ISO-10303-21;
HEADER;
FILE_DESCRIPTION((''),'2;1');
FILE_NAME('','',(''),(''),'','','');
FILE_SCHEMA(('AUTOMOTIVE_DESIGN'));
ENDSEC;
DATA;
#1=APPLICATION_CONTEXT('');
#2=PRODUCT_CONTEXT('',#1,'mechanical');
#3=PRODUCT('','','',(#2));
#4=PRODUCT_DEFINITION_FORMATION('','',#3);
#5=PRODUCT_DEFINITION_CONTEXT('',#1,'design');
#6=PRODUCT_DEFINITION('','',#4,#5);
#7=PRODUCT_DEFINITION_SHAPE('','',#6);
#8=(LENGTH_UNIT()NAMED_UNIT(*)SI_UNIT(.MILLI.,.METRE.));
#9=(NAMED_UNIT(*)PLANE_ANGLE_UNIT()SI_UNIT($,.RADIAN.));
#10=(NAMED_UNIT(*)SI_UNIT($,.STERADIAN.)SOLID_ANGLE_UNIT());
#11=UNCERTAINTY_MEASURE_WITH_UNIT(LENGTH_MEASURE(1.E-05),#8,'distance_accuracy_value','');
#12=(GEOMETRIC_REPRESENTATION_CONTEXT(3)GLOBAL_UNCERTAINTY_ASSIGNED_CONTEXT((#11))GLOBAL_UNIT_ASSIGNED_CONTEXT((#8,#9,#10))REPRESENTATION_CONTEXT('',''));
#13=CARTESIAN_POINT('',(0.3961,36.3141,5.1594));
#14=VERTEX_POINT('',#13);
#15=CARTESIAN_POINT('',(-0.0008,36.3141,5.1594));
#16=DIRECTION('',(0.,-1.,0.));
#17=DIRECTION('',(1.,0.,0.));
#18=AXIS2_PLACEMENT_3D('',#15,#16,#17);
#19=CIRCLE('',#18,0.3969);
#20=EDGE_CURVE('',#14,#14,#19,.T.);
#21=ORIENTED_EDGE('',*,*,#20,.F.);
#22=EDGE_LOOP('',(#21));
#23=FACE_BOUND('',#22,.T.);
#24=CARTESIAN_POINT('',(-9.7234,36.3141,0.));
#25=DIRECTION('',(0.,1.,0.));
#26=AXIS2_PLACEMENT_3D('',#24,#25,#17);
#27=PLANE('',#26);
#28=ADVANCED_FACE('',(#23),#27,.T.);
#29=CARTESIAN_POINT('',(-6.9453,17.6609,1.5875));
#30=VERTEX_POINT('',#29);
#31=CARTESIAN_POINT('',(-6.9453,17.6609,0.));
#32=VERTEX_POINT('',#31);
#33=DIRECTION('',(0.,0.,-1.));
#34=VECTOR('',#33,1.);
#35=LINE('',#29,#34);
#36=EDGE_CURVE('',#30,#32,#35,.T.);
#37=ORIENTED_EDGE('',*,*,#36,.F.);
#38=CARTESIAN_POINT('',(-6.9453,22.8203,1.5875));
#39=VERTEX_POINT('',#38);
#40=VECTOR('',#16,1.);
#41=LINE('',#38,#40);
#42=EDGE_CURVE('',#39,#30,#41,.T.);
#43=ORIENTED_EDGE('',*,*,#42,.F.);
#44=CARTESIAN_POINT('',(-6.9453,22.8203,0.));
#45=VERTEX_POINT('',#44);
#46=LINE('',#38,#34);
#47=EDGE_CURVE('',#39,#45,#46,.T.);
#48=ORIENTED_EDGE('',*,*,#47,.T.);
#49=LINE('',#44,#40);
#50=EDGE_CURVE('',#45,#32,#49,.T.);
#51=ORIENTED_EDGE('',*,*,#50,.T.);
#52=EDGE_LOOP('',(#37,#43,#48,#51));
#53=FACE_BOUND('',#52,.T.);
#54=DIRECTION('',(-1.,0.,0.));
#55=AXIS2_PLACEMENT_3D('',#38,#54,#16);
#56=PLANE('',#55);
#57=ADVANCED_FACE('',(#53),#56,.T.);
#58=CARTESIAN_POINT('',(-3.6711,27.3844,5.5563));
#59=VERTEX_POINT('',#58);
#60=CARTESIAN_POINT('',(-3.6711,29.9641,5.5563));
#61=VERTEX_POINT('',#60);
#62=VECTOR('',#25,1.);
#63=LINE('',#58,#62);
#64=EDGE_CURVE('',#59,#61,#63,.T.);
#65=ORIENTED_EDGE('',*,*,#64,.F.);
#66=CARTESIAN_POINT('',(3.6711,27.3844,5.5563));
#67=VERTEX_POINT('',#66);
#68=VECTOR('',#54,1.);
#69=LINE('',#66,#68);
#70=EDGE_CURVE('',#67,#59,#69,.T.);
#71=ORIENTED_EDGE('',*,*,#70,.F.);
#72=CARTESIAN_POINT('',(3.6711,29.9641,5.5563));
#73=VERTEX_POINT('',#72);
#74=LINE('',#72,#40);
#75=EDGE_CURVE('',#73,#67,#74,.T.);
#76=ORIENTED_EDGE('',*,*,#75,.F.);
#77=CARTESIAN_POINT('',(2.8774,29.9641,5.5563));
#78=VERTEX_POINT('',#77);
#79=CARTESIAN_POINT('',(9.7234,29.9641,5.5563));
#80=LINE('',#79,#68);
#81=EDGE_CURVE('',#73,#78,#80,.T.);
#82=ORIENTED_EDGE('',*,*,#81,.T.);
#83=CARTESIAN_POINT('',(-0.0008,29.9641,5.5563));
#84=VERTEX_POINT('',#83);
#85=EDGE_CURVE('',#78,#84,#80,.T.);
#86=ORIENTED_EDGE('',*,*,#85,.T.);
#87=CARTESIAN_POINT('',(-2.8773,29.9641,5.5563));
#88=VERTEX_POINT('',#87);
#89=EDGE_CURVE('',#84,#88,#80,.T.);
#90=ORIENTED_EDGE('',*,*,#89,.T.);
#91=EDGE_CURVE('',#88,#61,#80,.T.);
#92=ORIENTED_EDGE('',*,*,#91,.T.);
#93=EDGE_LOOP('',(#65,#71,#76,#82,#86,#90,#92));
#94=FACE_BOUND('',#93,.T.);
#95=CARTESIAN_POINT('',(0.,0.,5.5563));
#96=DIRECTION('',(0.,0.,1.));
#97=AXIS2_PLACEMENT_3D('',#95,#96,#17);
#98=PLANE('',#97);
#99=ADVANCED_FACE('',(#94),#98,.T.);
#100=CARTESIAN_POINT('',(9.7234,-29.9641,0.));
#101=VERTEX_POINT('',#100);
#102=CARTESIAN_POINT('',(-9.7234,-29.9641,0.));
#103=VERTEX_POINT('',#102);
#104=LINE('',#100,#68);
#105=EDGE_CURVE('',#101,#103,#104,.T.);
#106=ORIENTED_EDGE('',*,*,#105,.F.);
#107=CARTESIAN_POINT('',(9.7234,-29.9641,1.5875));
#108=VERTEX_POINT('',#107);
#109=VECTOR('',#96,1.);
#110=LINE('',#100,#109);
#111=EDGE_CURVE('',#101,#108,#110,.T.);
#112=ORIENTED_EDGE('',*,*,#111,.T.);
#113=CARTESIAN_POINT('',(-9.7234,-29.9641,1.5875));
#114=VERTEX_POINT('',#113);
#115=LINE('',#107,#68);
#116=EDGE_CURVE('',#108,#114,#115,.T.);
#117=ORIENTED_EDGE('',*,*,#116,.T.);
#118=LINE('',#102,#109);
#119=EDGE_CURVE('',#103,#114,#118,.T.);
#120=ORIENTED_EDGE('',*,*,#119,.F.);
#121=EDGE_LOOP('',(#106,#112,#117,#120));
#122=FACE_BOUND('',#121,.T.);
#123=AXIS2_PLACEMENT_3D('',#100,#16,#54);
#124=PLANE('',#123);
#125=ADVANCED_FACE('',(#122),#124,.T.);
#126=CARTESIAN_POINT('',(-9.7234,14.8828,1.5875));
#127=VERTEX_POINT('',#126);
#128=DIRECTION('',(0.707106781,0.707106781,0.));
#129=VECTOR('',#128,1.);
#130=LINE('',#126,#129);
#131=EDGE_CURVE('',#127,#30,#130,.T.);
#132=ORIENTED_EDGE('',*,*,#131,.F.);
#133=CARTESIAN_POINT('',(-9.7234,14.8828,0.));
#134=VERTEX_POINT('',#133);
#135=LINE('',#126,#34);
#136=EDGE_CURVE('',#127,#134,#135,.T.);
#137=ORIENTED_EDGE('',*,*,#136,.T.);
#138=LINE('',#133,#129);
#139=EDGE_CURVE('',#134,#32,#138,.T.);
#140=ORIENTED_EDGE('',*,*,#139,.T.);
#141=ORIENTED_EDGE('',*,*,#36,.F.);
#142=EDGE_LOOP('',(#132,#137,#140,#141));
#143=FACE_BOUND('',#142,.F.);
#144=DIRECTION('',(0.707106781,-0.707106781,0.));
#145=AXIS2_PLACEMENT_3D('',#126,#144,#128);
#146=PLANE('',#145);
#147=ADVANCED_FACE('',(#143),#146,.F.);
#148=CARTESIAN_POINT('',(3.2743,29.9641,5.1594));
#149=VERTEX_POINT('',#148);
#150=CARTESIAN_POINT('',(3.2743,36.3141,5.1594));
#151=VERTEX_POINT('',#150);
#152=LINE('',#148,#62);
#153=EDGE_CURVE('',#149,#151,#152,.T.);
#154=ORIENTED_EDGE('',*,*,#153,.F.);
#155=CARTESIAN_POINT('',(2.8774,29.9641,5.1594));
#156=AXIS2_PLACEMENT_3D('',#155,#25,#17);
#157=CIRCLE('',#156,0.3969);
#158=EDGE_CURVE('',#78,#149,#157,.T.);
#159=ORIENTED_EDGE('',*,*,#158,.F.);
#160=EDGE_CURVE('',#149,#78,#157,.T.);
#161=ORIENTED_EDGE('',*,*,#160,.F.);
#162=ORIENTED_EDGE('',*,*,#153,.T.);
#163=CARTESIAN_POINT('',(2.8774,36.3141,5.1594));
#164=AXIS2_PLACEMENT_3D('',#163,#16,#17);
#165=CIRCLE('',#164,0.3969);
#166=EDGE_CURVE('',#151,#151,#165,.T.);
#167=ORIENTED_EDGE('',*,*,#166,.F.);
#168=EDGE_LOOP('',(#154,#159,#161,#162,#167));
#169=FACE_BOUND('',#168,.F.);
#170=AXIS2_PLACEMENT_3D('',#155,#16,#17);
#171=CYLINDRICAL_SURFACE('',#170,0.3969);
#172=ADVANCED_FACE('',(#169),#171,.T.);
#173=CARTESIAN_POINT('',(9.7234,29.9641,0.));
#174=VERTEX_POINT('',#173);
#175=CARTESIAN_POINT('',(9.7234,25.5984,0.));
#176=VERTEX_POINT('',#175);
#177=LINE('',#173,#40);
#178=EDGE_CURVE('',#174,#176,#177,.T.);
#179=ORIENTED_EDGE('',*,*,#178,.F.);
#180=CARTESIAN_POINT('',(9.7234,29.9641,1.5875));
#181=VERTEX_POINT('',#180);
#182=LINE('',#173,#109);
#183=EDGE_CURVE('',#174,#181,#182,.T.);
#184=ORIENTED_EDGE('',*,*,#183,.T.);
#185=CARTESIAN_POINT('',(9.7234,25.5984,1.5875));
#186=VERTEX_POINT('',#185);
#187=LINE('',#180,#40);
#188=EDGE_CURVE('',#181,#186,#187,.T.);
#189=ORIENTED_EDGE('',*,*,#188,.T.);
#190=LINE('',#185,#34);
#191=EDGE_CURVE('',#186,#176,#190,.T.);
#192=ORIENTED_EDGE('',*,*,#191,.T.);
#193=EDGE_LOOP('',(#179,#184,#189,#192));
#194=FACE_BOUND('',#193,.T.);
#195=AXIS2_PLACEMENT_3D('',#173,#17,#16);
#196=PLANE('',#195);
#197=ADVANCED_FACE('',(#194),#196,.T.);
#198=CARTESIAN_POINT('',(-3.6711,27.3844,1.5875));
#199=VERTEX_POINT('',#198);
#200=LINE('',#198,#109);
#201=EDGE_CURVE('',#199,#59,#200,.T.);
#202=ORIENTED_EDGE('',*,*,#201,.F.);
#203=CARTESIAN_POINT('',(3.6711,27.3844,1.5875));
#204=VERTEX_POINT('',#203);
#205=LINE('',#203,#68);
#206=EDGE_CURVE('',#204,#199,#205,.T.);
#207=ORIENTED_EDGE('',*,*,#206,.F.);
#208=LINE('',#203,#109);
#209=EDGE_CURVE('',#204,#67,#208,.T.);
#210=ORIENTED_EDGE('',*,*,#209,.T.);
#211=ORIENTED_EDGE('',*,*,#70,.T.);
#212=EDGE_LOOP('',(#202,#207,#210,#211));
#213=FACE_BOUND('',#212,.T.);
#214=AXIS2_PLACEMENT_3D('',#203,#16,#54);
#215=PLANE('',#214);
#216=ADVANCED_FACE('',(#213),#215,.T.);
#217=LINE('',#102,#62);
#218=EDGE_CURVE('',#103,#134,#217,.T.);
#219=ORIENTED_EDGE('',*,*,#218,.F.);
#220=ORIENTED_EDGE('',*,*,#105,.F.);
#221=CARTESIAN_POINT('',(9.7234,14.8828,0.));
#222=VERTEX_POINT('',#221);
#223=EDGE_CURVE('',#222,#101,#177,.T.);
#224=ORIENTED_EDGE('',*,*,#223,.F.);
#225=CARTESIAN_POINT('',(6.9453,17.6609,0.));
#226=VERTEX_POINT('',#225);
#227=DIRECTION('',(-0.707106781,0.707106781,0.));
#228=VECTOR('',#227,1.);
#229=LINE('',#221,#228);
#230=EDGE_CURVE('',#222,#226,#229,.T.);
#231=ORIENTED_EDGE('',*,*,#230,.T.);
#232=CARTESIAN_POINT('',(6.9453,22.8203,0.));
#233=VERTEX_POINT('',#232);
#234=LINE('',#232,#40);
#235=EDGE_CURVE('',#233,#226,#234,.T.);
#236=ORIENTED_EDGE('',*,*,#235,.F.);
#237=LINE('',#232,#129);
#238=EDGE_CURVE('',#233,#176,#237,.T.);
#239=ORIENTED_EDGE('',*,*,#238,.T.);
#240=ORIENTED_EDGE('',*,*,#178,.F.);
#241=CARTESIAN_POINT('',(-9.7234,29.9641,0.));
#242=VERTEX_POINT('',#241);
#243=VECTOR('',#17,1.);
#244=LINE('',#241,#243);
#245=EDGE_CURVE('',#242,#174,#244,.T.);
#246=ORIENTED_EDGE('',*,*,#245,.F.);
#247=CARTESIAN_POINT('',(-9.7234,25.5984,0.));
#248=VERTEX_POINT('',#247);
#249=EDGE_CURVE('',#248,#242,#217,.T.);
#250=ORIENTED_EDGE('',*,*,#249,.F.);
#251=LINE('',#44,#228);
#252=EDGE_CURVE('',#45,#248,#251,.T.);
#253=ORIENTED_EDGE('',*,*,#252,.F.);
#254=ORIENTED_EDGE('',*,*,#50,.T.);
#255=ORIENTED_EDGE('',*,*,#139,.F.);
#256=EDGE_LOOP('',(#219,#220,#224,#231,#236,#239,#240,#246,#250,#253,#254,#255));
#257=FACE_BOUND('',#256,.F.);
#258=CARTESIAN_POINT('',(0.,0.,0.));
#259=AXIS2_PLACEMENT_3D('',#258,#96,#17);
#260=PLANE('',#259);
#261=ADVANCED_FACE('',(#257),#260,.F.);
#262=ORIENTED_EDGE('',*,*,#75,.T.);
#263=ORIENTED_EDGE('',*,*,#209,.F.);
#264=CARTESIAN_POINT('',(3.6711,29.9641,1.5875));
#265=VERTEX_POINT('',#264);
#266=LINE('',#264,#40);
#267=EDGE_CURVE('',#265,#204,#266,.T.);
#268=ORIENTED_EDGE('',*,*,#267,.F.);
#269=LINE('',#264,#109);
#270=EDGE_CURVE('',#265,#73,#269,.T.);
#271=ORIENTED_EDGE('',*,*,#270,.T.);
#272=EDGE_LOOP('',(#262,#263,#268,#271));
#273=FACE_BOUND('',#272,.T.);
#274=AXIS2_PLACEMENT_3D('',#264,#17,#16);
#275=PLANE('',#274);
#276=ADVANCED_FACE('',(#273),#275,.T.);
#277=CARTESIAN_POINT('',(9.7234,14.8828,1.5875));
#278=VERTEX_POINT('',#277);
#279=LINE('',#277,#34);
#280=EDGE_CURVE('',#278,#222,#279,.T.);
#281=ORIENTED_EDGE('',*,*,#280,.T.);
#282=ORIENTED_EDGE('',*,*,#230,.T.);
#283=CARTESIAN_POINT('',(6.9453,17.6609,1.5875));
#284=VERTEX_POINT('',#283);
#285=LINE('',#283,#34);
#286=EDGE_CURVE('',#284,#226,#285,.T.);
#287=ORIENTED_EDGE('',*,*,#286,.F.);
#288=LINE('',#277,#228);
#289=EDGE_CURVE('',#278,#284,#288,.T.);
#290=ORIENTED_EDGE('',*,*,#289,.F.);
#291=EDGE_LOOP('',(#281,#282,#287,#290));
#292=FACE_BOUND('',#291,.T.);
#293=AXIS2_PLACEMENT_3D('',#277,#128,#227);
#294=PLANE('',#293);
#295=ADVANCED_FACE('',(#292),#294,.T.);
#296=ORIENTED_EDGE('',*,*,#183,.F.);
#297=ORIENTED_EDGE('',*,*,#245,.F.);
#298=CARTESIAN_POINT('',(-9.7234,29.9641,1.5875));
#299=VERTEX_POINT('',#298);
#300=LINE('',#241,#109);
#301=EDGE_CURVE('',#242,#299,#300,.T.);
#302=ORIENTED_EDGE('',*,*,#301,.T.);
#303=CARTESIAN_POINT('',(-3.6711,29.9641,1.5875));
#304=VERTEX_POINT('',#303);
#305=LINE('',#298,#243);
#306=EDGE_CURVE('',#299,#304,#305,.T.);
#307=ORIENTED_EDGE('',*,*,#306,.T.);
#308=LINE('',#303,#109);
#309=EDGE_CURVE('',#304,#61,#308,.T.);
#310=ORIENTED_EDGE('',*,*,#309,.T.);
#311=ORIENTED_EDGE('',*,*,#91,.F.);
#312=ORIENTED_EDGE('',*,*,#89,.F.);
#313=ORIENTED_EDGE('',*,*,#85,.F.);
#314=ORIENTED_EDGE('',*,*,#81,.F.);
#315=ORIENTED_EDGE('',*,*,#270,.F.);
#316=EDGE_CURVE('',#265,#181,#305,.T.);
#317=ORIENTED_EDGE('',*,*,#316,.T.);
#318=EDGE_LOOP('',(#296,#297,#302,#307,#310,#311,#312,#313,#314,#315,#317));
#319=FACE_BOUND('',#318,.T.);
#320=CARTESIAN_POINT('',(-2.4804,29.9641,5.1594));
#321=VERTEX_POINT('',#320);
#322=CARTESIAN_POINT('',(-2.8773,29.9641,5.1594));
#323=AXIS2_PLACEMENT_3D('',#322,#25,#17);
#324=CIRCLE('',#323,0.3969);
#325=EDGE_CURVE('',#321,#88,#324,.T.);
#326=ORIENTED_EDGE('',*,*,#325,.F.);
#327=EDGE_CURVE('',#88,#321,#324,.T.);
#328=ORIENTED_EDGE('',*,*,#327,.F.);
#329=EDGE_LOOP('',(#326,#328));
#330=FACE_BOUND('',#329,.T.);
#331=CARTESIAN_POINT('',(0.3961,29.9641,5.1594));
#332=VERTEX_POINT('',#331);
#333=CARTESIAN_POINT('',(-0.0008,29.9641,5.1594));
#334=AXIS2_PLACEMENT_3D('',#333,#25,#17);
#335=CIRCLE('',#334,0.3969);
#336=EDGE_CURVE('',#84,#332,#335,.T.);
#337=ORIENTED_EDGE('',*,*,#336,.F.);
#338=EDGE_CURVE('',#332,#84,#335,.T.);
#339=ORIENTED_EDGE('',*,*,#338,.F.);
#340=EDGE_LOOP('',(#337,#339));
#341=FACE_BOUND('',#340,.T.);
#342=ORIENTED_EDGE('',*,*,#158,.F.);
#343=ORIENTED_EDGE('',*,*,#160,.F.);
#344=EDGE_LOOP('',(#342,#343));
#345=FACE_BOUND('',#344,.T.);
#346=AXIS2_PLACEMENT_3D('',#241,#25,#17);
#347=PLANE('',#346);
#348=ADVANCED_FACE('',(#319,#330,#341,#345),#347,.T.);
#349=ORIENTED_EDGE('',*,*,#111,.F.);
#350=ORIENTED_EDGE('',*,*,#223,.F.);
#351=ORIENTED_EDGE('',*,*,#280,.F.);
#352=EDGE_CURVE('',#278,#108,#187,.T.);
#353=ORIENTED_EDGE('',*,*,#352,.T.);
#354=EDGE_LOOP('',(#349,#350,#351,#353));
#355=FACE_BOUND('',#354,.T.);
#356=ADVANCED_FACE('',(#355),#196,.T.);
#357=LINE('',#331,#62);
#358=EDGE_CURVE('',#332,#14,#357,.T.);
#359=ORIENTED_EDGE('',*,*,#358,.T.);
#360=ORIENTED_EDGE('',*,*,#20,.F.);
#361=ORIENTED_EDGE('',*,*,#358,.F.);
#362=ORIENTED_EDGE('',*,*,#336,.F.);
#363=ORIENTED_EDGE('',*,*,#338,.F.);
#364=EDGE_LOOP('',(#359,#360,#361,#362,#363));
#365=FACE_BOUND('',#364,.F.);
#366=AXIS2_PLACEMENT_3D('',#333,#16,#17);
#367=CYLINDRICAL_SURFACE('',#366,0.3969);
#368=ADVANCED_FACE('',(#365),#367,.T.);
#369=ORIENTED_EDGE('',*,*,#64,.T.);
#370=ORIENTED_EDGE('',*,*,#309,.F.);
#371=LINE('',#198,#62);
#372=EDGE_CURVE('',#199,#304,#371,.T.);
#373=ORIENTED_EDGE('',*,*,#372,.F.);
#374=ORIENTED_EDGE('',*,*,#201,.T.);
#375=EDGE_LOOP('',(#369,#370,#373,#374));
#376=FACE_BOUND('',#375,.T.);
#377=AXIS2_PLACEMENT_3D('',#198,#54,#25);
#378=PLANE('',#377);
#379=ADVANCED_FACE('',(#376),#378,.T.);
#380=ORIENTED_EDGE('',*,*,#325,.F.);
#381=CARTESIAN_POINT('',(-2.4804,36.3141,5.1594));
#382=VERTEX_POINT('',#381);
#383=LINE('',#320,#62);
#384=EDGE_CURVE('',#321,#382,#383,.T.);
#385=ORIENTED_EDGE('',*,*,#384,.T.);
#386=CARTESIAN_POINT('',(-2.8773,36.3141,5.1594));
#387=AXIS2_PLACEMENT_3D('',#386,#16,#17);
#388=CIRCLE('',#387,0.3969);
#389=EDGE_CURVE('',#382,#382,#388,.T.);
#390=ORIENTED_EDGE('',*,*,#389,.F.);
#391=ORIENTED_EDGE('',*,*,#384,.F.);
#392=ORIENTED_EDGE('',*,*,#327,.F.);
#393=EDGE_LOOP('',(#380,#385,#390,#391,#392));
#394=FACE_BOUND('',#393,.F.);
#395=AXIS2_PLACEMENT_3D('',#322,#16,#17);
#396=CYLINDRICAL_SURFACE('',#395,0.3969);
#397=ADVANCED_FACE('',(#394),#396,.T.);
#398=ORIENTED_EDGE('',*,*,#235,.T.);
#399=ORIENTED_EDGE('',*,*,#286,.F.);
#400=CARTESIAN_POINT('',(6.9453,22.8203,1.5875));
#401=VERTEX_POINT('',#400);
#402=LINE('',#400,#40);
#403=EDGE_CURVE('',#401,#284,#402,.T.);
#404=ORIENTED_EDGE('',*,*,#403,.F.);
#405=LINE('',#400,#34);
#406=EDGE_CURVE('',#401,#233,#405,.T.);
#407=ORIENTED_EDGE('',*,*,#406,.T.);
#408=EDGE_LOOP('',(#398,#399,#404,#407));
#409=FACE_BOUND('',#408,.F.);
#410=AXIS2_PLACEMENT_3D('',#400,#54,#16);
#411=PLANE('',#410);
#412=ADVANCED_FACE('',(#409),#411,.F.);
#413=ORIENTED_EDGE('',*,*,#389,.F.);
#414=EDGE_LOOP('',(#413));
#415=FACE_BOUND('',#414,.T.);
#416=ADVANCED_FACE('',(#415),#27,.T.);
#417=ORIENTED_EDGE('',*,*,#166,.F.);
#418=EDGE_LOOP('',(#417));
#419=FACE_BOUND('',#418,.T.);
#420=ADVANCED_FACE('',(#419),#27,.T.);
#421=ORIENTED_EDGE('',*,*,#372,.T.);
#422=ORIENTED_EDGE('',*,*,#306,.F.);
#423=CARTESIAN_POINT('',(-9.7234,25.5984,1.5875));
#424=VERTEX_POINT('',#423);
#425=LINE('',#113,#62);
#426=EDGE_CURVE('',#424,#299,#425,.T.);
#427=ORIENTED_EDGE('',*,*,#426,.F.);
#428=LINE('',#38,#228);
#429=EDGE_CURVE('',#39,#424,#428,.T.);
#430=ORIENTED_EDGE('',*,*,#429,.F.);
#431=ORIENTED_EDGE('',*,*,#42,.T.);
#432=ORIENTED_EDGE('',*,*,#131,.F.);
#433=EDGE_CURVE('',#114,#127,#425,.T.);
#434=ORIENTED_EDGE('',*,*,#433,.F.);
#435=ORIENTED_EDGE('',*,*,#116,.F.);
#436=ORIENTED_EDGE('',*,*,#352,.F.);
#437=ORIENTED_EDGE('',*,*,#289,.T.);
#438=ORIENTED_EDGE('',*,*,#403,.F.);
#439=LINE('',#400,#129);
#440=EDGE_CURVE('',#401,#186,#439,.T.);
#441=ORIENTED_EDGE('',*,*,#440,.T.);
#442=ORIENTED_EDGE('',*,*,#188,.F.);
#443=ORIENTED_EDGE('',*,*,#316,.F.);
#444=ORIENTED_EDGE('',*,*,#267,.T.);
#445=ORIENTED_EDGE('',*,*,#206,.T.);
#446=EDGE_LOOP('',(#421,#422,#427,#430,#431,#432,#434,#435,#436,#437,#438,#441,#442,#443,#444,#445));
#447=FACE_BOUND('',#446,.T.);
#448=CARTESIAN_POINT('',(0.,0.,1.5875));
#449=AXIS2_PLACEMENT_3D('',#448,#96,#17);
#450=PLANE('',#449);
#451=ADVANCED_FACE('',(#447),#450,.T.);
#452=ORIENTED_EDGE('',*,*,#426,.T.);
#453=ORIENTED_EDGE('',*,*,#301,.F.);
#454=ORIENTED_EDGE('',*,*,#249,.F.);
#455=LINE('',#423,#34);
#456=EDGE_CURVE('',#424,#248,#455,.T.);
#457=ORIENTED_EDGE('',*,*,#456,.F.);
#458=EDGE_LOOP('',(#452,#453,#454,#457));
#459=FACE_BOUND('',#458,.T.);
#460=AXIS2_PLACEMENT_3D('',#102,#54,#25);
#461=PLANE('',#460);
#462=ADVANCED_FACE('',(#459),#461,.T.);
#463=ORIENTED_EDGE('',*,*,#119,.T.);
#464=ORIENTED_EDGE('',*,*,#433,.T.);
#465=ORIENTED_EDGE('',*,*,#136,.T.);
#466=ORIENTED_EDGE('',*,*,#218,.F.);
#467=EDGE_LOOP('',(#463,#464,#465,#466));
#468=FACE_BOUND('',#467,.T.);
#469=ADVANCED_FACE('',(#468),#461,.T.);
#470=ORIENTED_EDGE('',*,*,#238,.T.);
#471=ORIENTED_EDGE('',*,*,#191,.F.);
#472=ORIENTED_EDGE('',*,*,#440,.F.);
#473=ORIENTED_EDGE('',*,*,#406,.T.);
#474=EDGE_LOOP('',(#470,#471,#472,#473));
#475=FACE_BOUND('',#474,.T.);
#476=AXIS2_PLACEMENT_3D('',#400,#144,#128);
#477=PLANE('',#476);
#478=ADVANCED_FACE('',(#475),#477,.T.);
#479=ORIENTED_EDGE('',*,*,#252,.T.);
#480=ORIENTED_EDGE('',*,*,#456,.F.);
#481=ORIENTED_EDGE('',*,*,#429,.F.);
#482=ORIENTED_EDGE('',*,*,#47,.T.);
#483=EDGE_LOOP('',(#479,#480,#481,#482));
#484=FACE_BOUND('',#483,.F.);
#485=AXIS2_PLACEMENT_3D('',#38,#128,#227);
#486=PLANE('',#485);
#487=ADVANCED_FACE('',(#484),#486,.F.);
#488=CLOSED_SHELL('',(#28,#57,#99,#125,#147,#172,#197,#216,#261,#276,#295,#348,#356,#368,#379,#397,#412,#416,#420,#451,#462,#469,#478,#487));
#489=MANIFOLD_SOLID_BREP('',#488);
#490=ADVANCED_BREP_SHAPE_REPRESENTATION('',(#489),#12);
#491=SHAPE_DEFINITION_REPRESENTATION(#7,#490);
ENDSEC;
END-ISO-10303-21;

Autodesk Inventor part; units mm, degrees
ref_plane "YZ Plane" through (0, 0, 0) normal (1, 0, 0) x (0, 1, 0)
ref_plane "XZ Plane" through (0, 0, 0) normal (0, 1, 0) x (-1, 0, 0)
ref_plane "XY Plane" through (0, 0, 0) normal (0, 0, 1) x (1, 0, 0)
sketch "Sketch1" plane through (0, 0, 0) normal (0, 0, 1) x (1, 0, 0)
  line L0 (-9.7234, 29.9641) -> (9.7234, 29.9641)
  line L1 (9.7234, 29.9641) -> (9.7234, -29.9641)
  line L2 (9.7234, -29.9641) -> (-9.7234, -29.9641)
  line L3 (-9.7234, -29.9641) -> (-9.7234, 29.9641)
  point P0 (0, 0)
  point P1 (9.7234, 0)
  point P2 (0, -29.9641)
  dimension "d0" = 19.4469
  dimension "d1" = 59.9281
extrude "Extrusion1" add sketch "Sketch1" along normal blind 1.5875
sketch "Sketch2" plane through (0, 0, 1.5875) normal (0, 0, 1) x (1, 0, 0)
  line L0 (-9.7234, -29.9641) -> (9.7234, -29.9641) projected
  line L1 (9.7234, -29.9641) -> (9.7234, 14.8828)
  line L2 (9.7234, -29.9641) -> (9.7234, 29.9641) projected
  line L3 (-9.7234, 29.9641) -> (-9.7234, -29.9641) projected
  line L4 (-9.7234, -29.9641) -> (-9.7234, 14.8828)
  line L5 (-9.7234, 14.8828) -> (-0.7937, 23.8125)
  line L6 (-9.7234, 14.8828) -> (2.905, 14.8828) construction
  line L7 (9.7234, 14.8828) -> (4.7625, 19.8437)
  line L8 (9.7234, 14.8828) -> (16.7393, 14.8828) construction
  line L9 (6.9453, 22.8203) -> (6.9453, 17.6609)
  line L10 (-6.9453, 22.8203) -> (-6.9453, 17.6609)
  line L11 (-6.9453, 22.8203) -> (-9.7234, 25.5984)
  line L12 (6.9453, 22.8203) -> (9.7234, 25.5984)
  line L13 (-9.7234, 25.5984) -> (-9.7234, 14.8828)
  line L14 (9.7234, 25.5984) -> (9.7234, 14.8828)
  point P0 (0, 0)
  dimension "d4" = 44.8469
  dimension "d5" = 44.8469
  dimension "d6" = 45
  dimension "d7" = 135
  dimension "d8" = 5.1594
  dimension "d9" = 5.1594
  dimension "d10" = 2.7781
  dimension "d11" = 2.7781
  dimension "d12" = 0
  dimension "d13" = 0
extrude "Extrusion2" cut sketch "Sketch2" against normal blind 1.5875
sketch "Sketch3" plane through (0, 0, 1.5875) normal (0, 0, 1) x (1, 0, 0)
  line L0 (9.7234, 29.9641) -> (-9.7234, 29.9641) projected
  line L1 (-3.6711, 29.9641) -> (3.6711, 29.9641)
  line L2 (3.6711, 29.9641) -> (3.6711, 27.3844)
  line L3 (3.6711, 27.3844) -> (-3.6711, 27.3844)
  line L4 (-3.6711, 27.3844) -> (-3.6711, 29.9641)
  point P0 (0, 0)
  point P1 (0, 27.3844)
  dimension "d16" = 7.3422
  dimension "d17" = 2.5797
extrude "Extrusion3" add sketch "Sketch3" along normal blind 3.9688
sketch "Sketch4" plane through (-9.7234, 29.9641, 0) normal (0, 1, 0) x (1, 0, 0)
  circle A0 centre (12.6008, -5.1594) radius 0.3969
  circle A1 centre (9.7226, -5.1594) radius 0.3969
  circle A2 centre (6.8461, -5.1594) radius 0.3969
  line L0 (13.3945, -1.5875) -> (13.3945, -5.5563) projected
  line L1 (13.3945, -5.5563) -> (6.0523, -5.5563) projected
  line L2 (6.0523, -1.5875) -> (6.0523, -5.5563) projected
  point P0 (9.7234, 0)
  dimension "d20" = 0.7937
  dimension "d21" = 0.7937
  dimension "d22" = 0.7937
  dimension "d23" = 0.7937
  dimension "d24" = 0.3969
  dimension "d25" = 0.7937
  dimension "d26" = 0.3969
  dimension "d27" = 0.3969
  dimension "d28" = 7.3422
  dimension "d29" = 3.6703
extrude "Extrusion4" add sketch "Sketch4" along normal blind 6.35
properties part number "Water Sensor"
